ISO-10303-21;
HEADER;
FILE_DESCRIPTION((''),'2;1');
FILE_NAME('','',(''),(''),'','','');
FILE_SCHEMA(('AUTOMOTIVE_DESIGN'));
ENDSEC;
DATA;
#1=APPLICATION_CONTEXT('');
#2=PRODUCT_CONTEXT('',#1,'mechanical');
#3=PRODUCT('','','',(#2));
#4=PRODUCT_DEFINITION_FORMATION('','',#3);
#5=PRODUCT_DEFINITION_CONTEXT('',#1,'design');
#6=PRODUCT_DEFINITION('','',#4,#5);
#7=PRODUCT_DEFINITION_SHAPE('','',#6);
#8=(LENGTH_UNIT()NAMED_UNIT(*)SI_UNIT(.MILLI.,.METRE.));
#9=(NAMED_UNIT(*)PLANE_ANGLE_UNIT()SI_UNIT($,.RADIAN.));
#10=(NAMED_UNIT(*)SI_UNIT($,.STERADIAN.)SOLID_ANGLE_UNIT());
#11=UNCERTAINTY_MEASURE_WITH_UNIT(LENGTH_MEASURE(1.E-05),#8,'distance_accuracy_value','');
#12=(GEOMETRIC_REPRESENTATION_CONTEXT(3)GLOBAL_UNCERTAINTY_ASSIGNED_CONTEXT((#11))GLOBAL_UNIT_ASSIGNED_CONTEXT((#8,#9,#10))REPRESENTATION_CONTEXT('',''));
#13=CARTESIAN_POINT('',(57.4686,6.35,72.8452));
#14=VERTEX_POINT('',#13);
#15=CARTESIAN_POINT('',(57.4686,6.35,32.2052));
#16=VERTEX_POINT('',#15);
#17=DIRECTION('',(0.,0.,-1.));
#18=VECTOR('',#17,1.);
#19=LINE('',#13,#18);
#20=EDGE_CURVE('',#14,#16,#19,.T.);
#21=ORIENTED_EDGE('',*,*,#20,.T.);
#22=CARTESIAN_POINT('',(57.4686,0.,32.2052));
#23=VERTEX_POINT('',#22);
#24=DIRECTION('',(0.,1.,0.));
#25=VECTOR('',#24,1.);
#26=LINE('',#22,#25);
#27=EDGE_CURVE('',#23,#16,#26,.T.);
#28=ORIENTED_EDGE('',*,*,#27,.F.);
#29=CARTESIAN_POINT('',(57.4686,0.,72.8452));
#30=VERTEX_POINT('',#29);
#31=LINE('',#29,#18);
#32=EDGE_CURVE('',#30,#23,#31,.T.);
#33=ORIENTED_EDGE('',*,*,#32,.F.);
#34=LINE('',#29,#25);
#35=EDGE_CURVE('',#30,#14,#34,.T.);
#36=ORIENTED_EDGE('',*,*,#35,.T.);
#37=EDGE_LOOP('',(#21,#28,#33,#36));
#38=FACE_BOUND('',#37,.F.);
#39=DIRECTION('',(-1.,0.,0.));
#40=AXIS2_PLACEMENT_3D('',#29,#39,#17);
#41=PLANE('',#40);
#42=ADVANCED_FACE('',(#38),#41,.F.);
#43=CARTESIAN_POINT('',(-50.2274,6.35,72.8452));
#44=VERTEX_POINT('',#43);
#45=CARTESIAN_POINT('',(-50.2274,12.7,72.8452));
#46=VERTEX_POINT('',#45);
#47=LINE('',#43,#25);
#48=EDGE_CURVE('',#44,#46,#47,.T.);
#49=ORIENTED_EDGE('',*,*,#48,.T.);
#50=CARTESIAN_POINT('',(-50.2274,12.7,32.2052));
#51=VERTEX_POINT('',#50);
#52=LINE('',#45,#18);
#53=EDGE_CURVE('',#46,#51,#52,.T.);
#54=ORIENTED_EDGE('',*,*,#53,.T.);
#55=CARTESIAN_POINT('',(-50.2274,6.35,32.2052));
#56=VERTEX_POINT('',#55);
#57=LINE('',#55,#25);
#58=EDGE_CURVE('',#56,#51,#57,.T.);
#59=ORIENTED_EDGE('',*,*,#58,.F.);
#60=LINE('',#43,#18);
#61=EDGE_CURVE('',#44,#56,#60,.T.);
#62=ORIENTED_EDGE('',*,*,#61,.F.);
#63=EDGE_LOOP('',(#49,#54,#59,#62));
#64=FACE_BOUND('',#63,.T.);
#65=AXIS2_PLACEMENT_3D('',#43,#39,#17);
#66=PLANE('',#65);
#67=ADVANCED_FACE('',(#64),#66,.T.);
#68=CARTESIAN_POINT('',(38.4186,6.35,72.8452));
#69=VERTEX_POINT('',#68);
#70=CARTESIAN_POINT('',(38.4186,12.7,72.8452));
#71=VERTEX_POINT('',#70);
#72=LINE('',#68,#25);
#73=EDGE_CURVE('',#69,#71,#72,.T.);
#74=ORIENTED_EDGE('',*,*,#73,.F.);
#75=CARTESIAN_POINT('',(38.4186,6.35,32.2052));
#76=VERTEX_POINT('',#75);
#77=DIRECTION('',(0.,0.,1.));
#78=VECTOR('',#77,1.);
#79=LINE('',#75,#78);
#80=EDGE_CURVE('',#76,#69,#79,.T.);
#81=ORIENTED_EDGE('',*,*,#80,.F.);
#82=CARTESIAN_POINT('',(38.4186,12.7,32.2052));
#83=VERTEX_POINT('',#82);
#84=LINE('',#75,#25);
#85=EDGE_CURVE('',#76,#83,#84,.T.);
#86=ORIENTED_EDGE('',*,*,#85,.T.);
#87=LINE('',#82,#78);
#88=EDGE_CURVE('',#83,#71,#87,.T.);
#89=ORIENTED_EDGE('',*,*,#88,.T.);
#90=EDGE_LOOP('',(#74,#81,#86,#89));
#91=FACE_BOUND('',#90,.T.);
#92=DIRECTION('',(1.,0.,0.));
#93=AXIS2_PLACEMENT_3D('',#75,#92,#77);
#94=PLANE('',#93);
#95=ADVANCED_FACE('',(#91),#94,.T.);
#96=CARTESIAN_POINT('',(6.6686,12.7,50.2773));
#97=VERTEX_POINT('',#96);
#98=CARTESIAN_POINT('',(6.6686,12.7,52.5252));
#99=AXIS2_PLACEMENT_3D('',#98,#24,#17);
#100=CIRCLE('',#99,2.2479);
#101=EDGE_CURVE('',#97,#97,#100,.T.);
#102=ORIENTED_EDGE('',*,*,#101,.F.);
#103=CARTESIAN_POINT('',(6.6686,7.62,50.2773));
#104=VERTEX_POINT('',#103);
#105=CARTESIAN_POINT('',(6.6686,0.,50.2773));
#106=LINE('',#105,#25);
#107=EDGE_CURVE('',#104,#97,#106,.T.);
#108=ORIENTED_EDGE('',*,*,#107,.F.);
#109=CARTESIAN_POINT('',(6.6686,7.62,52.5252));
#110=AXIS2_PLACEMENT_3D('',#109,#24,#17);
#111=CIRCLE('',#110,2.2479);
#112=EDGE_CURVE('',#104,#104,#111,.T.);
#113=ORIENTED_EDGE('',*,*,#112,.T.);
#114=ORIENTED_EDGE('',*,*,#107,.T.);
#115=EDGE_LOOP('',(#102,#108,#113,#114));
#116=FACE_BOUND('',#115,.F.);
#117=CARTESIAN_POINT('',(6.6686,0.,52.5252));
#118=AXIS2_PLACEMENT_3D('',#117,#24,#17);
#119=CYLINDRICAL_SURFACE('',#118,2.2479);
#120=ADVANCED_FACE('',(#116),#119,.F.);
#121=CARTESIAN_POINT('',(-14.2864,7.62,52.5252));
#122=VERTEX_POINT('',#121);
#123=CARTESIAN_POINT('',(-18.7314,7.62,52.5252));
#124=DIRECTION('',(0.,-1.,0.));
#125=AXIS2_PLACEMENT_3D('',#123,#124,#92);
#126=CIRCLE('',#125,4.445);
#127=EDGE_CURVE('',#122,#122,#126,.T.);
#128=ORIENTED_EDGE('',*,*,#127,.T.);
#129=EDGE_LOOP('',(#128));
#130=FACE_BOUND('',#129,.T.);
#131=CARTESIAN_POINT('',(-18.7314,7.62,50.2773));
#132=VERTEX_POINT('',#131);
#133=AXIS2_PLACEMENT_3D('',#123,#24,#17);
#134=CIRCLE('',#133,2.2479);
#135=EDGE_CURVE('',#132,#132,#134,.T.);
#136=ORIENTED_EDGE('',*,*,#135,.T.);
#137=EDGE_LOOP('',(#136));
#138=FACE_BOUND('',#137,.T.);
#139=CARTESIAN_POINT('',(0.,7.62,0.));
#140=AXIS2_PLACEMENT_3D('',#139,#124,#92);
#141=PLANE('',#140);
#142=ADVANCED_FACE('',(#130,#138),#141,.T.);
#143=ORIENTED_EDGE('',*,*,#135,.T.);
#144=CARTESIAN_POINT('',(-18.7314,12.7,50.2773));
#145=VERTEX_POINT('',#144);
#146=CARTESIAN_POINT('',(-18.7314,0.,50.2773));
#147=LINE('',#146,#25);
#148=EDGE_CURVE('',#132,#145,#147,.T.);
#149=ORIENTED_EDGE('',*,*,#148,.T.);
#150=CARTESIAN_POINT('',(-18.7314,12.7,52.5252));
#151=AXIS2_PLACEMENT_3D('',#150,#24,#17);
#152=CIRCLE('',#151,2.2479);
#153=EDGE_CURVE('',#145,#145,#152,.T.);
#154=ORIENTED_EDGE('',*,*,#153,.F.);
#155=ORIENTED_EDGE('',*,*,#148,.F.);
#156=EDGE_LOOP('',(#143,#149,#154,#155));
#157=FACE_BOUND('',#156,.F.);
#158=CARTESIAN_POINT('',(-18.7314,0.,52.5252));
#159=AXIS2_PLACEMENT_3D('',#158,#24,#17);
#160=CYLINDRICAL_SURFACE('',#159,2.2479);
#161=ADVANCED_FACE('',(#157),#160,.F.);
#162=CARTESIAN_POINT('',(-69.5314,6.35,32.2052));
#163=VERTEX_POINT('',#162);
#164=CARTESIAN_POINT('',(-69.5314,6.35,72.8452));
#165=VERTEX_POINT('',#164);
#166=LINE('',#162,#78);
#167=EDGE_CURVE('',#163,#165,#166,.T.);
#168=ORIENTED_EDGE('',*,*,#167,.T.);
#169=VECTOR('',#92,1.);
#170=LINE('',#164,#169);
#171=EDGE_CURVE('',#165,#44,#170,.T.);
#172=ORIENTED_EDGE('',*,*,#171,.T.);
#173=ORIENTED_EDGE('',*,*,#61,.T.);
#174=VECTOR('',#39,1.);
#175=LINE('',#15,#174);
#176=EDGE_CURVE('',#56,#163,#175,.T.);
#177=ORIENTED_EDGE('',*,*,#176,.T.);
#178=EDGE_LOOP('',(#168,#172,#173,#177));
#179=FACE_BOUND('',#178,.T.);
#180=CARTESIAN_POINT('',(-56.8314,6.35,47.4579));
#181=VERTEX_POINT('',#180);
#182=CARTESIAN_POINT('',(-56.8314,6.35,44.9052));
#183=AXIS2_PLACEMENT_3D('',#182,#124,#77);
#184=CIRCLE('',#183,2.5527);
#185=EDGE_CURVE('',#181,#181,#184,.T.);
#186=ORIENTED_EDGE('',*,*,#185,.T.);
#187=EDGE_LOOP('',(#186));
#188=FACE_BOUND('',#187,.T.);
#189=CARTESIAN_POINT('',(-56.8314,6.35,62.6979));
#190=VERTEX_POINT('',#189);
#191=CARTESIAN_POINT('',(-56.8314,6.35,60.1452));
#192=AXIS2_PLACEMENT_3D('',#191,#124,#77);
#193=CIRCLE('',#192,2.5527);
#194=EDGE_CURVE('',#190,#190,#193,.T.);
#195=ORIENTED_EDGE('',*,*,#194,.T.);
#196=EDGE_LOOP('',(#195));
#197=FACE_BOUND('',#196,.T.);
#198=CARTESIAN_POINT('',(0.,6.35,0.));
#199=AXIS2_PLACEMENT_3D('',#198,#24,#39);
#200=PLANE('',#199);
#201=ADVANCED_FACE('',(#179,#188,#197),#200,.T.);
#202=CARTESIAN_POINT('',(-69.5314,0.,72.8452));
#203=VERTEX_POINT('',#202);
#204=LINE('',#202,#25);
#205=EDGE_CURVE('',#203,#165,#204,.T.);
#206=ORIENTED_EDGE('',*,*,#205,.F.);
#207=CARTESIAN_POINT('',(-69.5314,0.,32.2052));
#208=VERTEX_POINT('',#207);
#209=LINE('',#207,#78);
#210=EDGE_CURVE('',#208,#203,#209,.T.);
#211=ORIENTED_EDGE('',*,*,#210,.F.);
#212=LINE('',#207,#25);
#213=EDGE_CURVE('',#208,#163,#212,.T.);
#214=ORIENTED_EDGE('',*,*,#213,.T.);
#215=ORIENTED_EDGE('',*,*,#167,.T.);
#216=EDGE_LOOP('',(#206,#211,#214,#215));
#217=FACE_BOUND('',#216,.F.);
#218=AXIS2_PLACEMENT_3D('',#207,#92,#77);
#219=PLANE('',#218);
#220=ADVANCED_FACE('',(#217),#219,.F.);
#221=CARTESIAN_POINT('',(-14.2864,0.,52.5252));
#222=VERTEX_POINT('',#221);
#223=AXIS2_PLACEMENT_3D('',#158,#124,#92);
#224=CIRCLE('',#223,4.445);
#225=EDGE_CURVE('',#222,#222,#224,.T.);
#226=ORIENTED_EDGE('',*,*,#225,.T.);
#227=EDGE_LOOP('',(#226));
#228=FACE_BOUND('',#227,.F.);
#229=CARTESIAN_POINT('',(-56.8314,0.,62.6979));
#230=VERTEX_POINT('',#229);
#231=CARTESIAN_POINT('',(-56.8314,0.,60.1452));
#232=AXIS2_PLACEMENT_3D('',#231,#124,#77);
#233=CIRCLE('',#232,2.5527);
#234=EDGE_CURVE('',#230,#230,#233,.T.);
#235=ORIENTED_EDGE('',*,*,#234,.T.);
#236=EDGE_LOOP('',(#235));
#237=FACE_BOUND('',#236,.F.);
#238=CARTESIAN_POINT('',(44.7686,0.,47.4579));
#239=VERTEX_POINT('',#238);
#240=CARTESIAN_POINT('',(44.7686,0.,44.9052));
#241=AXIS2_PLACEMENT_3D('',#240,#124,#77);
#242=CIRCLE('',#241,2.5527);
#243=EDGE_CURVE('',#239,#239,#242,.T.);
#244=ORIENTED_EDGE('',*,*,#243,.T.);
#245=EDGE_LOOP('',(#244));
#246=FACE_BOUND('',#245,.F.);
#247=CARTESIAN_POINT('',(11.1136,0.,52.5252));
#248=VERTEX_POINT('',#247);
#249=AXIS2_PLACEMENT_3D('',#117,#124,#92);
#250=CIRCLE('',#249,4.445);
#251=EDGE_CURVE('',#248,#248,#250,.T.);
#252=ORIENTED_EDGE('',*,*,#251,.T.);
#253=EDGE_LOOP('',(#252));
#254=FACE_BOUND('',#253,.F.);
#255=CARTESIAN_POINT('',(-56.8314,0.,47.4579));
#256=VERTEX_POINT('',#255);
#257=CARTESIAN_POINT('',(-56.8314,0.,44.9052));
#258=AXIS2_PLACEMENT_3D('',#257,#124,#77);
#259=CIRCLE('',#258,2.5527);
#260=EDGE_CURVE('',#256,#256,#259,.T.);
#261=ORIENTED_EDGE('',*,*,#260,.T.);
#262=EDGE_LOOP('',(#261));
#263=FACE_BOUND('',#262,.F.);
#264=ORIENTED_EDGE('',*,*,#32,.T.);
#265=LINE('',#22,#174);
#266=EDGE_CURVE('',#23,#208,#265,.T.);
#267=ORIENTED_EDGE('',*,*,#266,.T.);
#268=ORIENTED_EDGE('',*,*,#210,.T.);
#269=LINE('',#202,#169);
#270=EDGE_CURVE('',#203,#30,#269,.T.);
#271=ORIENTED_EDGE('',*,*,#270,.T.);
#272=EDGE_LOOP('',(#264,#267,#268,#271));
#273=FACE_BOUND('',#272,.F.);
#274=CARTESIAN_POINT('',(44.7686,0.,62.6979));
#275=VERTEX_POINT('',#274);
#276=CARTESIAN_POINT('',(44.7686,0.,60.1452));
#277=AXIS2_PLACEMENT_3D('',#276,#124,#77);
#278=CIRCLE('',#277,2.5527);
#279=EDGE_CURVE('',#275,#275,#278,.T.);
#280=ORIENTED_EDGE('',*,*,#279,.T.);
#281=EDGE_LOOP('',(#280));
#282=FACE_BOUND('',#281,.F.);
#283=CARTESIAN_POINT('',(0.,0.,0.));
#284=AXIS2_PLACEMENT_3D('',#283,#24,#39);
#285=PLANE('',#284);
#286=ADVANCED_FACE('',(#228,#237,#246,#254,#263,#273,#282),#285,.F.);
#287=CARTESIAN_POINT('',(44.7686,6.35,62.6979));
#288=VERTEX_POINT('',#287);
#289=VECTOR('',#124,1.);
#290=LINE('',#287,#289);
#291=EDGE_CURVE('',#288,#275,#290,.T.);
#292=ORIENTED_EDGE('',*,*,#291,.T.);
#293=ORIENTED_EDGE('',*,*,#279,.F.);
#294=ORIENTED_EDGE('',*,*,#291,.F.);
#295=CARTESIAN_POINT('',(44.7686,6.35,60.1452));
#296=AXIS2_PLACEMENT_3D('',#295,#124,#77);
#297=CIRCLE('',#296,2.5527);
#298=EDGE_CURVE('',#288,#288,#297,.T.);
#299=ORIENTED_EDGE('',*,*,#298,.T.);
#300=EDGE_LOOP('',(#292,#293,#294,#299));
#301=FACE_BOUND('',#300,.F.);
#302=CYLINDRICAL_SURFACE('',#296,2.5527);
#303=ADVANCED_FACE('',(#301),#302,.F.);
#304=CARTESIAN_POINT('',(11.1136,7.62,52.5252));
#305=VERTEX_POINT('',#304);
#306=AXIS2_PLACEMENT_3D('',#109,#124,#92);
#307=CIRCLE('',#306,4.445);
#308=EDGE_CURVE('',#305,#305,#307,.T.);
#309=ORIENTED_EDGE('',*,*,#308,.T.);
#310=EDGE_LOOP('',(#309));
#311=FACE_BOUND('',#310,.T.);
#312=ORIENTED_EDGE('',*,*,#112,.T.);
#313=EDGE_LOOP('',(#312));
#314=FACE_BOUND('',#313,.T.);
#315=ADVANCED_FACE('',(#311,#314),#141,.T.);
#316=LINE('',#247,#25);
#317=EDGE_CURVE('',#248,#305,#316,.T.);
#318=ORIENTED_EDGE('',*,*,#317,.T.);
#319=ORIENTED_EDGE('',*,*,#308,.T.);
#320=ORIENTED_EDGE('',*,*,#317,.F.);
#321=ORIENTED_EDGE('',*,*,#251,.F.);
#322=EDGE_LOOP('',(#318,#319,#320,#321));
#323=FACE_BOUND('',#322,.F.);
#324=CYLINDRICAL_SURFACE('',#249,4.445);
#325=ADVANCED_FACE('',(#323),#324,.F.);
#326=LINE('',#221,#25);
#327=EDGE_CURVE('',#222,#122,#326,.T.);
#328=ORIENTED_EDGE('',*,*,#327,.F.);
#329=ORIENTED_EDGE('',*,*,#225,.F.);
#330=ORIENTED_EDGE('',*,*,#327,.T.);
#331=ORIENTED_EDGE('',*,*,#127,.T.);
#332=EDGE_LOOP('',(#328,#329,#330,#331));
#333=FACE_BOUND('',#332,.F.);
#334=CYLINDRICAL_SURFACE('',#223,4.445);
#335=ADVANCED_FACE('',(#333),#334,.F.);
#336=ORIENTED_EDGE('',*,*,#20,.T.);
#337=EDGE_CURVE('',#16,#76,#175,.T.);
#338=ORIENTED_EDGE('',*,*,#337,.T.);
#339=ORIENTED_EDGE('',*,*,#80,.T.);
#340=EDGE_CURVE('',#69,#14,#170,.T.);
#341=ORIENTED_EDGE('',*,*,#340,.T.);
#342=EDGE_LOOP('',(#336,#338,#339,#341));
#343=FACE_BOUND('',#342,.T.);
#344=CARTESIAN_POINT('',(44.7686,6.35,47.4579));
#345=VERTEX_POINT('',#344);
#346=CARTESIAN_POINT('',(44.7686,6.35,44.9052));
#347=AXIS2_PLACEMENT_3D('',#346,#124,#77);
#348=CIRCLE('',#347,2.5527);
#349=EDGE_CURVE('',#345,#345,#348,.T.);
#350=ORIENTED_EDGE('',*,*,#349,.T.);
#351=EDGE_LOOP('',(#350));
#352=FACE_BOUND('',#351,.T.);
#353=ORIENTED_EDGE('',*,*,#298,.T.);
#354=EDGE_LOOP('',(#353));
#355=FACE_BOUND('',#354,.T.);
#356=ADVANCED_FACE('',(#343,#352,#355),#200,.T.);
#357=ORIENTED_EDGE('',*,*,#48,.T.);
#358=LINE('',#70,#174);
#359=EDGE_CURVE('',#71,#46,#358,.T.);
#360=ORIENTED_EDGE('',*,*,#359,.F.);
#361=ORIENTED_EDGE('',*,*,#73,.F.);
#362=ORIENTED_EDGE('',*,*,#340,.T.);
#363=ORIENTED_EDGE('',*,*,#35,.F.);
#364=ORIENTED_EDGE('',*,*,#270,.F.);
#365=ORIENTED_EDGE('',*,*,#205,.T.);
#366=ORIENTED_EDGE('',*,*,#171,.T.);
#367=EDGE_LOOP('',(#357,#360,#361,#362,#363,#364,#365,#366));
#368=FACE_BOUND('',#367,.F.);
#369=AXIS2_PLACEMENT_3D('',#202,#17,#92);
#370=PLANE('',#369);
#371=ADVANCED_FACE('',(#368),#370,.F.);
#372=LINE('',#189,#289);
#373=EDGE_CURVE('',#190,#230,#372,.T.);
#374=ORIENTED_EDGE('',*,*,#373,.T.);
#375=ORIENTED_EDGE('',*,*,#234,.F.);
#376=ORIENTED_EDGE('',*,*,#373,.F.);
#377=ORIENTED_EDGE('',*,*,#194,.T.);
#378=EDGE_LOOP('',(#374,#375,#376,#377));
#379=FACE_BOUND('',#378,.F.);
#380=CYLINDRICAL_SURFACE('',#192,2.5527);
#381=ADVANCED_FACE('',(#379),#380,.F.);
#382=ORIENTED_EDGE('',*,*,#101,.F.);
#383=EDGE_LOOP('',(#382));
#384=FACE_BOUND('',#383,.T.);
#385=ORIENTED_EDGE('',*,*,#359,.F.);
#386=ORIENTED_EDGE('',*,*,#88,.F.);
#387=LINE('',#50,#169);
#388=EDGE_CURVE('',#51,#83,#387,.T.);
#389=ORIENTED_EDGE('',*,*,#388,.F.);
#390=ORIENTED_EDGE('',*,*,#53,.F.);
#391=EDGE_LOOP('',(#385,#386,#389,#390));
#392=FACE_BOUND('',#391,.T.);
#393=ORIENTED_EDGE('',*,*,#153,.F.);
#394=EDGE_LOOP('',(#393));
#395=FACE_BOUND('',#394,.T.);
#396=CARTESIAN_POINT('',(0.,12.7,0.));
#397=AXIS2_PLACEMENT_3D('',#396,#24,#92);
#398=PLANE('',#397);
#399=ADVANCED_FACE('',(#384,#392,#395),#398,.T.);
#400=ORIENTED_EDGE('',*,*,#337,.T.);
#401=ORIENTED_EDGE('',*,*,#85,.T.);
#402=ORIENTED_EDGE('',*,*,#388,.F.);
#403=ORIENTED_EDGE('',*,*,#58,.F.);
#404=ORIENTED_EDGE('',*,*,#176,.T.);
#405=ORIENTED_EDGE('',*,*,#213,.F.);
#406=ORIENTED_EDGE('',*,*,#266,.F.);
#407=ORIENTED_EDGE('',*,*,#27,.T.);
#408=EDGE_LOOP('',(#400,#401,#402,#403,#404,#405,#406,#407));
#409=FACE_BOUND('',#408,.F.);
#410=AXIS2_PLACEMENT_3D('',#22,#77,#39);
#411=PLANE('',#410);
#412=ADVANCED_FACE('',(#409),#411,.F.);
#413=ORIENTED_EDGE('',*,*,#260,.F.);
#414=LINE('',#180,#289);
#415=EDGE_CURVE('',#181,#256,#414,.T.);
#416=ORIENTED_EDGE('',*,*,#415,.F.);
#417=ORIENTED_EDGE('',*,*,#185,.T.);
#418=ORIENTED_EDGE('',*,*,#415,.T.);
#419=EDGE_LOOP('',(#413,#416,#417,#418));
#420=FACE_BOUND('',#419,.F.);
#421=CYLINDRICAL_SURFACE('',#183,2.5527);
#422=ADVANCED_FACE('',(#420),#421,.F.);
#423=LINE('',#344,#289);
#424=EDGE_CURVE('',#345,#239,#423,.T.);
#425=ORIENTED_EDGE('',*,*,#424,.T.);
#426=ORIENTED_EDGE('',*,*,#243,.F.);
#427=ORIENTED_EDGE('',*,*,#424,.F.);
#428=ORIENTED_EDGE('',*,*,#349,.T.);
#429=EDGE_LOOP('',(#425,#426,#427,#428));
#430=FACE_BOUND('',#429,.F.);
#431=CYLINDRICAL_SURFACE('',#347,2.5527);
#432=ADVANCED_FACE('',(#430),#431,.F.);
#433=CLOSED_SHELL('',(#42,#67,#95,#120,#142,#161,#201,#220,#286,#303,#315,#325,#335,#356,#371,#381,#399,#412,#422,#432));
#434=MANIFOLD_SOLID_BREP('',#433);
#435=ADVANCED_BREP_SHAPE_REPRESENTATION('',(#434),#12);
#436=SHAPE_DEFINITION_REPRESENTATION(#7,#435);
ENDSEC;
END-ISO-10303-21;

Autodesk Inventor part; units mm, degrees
ref_plane "YZ Plane" through (0, 0, 0) normal (1, 0, 0) x (0, 1, 0)
ref_plane "XZ Plane" through (0, 0, 0) normal (0, 1, 0) x (-1, 0, 0)
ref_plane "XY Plane" through (0, 0, 0) normal (0, 0, 1) x (1, 0, 0)
sketch "Sketch1" plane through (0, 0, 0) normal (0, 1, 0) x (-1, 0, 0)
  line L0 (69.5314, 72.8452) -> (-57.4686, 72.8452)
  line L1 (-57.4686, 72.8452) -> (-57.4686, 32.2052)
  line L2 (-57.4686, 32.2052) -> (69.5314, 32.2052)
  line L3 (69.5314, 32.2052) -> (69.5314, 72.8452)
  point P0 (0, 0)
  dimension "d0" = 127
  dimension "d1" = 40.64
extrude "Extrusion1" add sketch "Sketch1" along normal blind 6.35
sketch "Sketch2" plane through (0, 6.35, 0) normal (0, 1, 0) x (1, 0, 0)
  line L0 (-50.2274, -32.2052) -> (38.4186, -32.2052)
  line L1 (38.4186, -32.2052) -> (38.4186, -72.8452)
  line L2 (38.4186, -72.8452) -> (-50.2274, -72.8452)
  line L3 (-50.2274, -72.8452) -> (-50.2274, -32.2052)
  line L4 (-69.5314, -32.2052) -> (-69.5314, -72.8452) projected
  line L5 (57.4686, -72.8452) -> (57.4686, -32.2052) projected
  line L6 (57.4686, -32.2052) -> (-69.5314, -32.2052) projected
  line L7 (-69.5314, -72.8452) -> (57.4686, -72.8452) projected
  point P0 (0, 0)
  dimension "d4" = 19.304
  dimension "d5" = 19.05
  dimension "d6" = 0
  dimension "d7" = 0
extrude "Extrusion2" add sketch "Sketch2" along normal blind 6.35 contours L0 L1 L2 L3
sketch "Sketch3" plane through (0, 6.35, 0) normal (0, 1, 0) x (1, 0, 0)
  line L0 (57.4686, -32.2052) -> (38.4186, -32.2052) projected
  line L1 (57.4686, -72.8452) -> (57.4686, -32.2052) projected
  line L2 (-69.5314, -32.2052) -> (-69.5314, -72.8452) projected
  line L3 (-50.2274, -32.2052) -> (-69.5314, -32.2052) projected
  line L4 (-69.5314, -72.8452) -> (-50.2274, -72.8452) projected
  line L5 (38.4186, -72.8452) -> (57.4686, -72.8452) projected
  circle A0 centre (-27.5338, -49.4612) radius 4.3448
  circle A1 centre (16.1358, -48.3961) radius 3.4084
  point P0 (0, 0)
  point P1 (-56.8314, -44.9052)
  point P2 (-56.8314, -60.1452)
  point P3 (44.7686, -44.9052)
  point P4 (44.7686, -60.1452)
  dimension "d10" = 12.7
  dimension "d11" = 12.7
  dimension "d12" = 12.7
  dimension "d13" = 12.7
  dimension "d14" = 12.7
  dimension "d15" = 12.7
  dimension "d16" = 12.7
  dimension "d17" = 12.7
hole "Hole1" at (-56.8314, 6.35, 44.9052) at (-56.8314, 6.35, 60.1452) at (44.7686, 6.35, 44.9052) at (44.7686, 6.35, 60.1452) direction (0, -1, 0) diameter 5.1054 depth 25.4 tip angle 118 clearance for "Flat Head Machine Screw (82)" size "#10" standard "Ansi Unified Screw Threads"
sketch "Sketch4" plane through (0, 0, 0) normal (0, -1, 0) x (1, 0, 0)
  circle A0 centre (-18.7314, 52.5252) radius 4.445
  circle A1 centre (6.6686, 52.5252) radius 4.445
  line L0 (57.4686, 32.2052) -> (-69.5314, 32.2052) projected
  line L1 (57.4686, 72.8452) -> (57.4686, 32.2052) projected
  line L2 (-69.5314, 32.2052) -> (-69.5314, 72.8452) projected
  point P0 (0, 0)
  dimension "d25" = 20.32
  dimension "d26" = 0
  dimension "d27" = 50.8
  dimension "d28" = 50.8
  dimension "d29" = 8.89
  dimension "d30" = 8.89
extrude "Extrusion3" cut sketch "Sketch4" against normal blind 7.62
sketch "Sketch5" plane through (0, 0, 0) normal (0, -1, 0) x (1, 0, 0)
  point P0 (0, 0)
sketch "Sketch6" plane through (0, 0, 0) normal (0, -1, 0) x (1, 0, 0)
  circle A0 centre (-18.7314, 52.5252) radius 4.445 projected
  circle A1 centre (6.6686, 52.5252) radius 4.445 projected
  point P0 (0, 0)
hole "Hole2" at (-18.7314, 0, 52.5252) at (6.6686, 0, 52.5252) direction (0, 1, 0) diameter 4.4958 depth 25.4 tip angle 118 clearance for "Flat Head Machine Screw (82)" size "#8" standard "Ansi Unified Screw Threads"
properties part number "HandleBlock"
